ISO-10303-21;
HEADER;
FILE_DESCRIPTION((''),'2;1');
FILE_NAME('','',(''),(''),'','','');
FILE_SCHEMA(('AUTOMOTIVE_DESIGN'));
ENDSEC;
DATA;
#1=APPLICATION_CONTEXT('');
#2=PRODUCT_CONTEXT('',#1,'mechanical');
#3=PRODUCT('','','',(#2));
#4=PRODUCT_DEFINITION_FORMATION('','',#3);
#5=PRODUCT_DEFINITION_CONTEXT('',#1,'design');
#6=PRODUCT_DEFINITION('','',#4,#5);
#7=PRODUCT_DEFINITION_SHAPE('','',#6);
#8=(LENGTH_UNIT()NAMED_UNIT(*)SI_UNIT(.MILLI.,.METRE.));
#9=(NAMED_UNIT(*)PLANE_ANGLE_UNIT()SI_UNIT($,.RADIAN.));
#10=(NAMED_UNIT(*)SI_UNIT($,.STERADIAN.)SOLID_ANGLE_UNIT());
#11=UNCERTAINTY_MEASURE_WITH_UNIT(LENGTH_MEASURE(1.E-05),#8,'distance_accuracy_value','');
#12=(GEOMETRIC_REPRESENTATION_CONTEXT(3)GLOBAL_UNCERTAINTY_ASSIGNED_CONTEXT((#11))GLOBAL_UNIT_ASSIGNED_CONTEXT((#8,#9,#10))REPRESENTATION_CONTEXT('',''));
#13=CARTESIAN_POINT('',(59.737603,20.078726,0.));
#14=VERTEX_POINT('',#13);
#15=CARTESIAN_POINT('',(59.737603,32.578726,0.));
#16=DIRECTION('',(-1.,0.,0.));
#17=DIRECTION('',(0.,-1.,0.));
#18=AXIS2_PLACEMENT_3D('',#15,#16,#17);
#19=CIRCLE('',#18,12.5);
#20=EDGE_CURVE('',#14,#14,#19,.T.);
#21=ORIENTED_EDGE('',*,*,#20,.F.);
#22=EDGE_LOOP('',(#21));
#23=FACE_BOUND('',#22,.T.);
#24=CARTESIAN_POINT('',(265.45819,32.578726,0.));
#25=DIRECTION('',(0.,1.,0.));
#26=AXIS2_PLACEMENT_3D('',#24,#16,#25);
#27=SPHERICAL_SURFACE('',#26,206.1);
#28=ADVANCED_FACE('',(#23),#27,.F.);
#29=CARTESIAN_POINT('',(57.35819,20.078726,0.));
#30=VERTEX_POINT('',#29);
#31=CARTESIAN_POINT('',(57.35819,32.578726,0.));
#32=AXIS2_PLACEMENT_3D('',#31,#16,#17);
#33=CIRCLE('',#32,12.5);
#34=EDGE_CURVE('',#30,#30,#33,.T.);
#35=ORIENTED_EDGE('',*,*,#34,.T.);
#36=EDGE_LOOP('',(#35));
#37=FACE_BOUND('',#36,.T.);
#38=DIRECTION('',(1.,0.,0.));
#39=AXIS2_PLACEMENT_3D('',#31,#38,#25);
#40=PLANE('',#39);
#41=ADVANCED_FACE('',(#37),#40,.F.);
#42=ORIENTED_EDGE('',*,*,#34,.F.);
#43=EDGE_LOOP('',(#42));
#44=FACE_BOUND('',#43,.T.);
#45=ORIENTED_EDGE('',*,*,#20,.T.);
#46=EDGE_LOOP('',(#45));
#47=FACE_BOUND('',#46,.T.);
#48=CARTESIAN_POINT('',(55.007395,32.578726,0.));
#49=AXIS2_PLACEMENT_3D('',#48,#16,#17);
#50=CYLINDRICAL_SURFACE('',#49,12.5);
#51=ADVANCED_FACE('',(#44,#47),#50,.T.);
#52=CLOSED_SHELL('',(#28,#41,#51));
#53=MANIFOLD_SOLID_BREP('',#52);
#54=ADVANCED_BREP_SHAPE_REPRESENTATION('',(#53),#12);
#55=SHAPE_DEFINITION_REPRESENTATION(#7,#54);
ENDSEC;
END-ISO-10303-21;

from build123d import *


with BuildPart() as part:
    # 草图1 → 旋转1 (revolve)
    with BuildSketch(Plane.XY):
        with BuildLine():
            Line((57.358190158, 32.578725913), (57.358190158, 45.078725913))
            Line((57.358190158, 45.078725913), (59.737602953, 45.078725913))
            ThreePointArc((59.737602953, 45.078725913), (59.453065194, 38.831604332), (59.358190158, 32.578725913))
            Line((59.358190158, 32.578725913), (57.358190158, 32.578725913))
        make_face()
    revolve(axis=Axis((55.007394624, 32.578725913, 0), (1, 0, 0)))


solid = part.part
